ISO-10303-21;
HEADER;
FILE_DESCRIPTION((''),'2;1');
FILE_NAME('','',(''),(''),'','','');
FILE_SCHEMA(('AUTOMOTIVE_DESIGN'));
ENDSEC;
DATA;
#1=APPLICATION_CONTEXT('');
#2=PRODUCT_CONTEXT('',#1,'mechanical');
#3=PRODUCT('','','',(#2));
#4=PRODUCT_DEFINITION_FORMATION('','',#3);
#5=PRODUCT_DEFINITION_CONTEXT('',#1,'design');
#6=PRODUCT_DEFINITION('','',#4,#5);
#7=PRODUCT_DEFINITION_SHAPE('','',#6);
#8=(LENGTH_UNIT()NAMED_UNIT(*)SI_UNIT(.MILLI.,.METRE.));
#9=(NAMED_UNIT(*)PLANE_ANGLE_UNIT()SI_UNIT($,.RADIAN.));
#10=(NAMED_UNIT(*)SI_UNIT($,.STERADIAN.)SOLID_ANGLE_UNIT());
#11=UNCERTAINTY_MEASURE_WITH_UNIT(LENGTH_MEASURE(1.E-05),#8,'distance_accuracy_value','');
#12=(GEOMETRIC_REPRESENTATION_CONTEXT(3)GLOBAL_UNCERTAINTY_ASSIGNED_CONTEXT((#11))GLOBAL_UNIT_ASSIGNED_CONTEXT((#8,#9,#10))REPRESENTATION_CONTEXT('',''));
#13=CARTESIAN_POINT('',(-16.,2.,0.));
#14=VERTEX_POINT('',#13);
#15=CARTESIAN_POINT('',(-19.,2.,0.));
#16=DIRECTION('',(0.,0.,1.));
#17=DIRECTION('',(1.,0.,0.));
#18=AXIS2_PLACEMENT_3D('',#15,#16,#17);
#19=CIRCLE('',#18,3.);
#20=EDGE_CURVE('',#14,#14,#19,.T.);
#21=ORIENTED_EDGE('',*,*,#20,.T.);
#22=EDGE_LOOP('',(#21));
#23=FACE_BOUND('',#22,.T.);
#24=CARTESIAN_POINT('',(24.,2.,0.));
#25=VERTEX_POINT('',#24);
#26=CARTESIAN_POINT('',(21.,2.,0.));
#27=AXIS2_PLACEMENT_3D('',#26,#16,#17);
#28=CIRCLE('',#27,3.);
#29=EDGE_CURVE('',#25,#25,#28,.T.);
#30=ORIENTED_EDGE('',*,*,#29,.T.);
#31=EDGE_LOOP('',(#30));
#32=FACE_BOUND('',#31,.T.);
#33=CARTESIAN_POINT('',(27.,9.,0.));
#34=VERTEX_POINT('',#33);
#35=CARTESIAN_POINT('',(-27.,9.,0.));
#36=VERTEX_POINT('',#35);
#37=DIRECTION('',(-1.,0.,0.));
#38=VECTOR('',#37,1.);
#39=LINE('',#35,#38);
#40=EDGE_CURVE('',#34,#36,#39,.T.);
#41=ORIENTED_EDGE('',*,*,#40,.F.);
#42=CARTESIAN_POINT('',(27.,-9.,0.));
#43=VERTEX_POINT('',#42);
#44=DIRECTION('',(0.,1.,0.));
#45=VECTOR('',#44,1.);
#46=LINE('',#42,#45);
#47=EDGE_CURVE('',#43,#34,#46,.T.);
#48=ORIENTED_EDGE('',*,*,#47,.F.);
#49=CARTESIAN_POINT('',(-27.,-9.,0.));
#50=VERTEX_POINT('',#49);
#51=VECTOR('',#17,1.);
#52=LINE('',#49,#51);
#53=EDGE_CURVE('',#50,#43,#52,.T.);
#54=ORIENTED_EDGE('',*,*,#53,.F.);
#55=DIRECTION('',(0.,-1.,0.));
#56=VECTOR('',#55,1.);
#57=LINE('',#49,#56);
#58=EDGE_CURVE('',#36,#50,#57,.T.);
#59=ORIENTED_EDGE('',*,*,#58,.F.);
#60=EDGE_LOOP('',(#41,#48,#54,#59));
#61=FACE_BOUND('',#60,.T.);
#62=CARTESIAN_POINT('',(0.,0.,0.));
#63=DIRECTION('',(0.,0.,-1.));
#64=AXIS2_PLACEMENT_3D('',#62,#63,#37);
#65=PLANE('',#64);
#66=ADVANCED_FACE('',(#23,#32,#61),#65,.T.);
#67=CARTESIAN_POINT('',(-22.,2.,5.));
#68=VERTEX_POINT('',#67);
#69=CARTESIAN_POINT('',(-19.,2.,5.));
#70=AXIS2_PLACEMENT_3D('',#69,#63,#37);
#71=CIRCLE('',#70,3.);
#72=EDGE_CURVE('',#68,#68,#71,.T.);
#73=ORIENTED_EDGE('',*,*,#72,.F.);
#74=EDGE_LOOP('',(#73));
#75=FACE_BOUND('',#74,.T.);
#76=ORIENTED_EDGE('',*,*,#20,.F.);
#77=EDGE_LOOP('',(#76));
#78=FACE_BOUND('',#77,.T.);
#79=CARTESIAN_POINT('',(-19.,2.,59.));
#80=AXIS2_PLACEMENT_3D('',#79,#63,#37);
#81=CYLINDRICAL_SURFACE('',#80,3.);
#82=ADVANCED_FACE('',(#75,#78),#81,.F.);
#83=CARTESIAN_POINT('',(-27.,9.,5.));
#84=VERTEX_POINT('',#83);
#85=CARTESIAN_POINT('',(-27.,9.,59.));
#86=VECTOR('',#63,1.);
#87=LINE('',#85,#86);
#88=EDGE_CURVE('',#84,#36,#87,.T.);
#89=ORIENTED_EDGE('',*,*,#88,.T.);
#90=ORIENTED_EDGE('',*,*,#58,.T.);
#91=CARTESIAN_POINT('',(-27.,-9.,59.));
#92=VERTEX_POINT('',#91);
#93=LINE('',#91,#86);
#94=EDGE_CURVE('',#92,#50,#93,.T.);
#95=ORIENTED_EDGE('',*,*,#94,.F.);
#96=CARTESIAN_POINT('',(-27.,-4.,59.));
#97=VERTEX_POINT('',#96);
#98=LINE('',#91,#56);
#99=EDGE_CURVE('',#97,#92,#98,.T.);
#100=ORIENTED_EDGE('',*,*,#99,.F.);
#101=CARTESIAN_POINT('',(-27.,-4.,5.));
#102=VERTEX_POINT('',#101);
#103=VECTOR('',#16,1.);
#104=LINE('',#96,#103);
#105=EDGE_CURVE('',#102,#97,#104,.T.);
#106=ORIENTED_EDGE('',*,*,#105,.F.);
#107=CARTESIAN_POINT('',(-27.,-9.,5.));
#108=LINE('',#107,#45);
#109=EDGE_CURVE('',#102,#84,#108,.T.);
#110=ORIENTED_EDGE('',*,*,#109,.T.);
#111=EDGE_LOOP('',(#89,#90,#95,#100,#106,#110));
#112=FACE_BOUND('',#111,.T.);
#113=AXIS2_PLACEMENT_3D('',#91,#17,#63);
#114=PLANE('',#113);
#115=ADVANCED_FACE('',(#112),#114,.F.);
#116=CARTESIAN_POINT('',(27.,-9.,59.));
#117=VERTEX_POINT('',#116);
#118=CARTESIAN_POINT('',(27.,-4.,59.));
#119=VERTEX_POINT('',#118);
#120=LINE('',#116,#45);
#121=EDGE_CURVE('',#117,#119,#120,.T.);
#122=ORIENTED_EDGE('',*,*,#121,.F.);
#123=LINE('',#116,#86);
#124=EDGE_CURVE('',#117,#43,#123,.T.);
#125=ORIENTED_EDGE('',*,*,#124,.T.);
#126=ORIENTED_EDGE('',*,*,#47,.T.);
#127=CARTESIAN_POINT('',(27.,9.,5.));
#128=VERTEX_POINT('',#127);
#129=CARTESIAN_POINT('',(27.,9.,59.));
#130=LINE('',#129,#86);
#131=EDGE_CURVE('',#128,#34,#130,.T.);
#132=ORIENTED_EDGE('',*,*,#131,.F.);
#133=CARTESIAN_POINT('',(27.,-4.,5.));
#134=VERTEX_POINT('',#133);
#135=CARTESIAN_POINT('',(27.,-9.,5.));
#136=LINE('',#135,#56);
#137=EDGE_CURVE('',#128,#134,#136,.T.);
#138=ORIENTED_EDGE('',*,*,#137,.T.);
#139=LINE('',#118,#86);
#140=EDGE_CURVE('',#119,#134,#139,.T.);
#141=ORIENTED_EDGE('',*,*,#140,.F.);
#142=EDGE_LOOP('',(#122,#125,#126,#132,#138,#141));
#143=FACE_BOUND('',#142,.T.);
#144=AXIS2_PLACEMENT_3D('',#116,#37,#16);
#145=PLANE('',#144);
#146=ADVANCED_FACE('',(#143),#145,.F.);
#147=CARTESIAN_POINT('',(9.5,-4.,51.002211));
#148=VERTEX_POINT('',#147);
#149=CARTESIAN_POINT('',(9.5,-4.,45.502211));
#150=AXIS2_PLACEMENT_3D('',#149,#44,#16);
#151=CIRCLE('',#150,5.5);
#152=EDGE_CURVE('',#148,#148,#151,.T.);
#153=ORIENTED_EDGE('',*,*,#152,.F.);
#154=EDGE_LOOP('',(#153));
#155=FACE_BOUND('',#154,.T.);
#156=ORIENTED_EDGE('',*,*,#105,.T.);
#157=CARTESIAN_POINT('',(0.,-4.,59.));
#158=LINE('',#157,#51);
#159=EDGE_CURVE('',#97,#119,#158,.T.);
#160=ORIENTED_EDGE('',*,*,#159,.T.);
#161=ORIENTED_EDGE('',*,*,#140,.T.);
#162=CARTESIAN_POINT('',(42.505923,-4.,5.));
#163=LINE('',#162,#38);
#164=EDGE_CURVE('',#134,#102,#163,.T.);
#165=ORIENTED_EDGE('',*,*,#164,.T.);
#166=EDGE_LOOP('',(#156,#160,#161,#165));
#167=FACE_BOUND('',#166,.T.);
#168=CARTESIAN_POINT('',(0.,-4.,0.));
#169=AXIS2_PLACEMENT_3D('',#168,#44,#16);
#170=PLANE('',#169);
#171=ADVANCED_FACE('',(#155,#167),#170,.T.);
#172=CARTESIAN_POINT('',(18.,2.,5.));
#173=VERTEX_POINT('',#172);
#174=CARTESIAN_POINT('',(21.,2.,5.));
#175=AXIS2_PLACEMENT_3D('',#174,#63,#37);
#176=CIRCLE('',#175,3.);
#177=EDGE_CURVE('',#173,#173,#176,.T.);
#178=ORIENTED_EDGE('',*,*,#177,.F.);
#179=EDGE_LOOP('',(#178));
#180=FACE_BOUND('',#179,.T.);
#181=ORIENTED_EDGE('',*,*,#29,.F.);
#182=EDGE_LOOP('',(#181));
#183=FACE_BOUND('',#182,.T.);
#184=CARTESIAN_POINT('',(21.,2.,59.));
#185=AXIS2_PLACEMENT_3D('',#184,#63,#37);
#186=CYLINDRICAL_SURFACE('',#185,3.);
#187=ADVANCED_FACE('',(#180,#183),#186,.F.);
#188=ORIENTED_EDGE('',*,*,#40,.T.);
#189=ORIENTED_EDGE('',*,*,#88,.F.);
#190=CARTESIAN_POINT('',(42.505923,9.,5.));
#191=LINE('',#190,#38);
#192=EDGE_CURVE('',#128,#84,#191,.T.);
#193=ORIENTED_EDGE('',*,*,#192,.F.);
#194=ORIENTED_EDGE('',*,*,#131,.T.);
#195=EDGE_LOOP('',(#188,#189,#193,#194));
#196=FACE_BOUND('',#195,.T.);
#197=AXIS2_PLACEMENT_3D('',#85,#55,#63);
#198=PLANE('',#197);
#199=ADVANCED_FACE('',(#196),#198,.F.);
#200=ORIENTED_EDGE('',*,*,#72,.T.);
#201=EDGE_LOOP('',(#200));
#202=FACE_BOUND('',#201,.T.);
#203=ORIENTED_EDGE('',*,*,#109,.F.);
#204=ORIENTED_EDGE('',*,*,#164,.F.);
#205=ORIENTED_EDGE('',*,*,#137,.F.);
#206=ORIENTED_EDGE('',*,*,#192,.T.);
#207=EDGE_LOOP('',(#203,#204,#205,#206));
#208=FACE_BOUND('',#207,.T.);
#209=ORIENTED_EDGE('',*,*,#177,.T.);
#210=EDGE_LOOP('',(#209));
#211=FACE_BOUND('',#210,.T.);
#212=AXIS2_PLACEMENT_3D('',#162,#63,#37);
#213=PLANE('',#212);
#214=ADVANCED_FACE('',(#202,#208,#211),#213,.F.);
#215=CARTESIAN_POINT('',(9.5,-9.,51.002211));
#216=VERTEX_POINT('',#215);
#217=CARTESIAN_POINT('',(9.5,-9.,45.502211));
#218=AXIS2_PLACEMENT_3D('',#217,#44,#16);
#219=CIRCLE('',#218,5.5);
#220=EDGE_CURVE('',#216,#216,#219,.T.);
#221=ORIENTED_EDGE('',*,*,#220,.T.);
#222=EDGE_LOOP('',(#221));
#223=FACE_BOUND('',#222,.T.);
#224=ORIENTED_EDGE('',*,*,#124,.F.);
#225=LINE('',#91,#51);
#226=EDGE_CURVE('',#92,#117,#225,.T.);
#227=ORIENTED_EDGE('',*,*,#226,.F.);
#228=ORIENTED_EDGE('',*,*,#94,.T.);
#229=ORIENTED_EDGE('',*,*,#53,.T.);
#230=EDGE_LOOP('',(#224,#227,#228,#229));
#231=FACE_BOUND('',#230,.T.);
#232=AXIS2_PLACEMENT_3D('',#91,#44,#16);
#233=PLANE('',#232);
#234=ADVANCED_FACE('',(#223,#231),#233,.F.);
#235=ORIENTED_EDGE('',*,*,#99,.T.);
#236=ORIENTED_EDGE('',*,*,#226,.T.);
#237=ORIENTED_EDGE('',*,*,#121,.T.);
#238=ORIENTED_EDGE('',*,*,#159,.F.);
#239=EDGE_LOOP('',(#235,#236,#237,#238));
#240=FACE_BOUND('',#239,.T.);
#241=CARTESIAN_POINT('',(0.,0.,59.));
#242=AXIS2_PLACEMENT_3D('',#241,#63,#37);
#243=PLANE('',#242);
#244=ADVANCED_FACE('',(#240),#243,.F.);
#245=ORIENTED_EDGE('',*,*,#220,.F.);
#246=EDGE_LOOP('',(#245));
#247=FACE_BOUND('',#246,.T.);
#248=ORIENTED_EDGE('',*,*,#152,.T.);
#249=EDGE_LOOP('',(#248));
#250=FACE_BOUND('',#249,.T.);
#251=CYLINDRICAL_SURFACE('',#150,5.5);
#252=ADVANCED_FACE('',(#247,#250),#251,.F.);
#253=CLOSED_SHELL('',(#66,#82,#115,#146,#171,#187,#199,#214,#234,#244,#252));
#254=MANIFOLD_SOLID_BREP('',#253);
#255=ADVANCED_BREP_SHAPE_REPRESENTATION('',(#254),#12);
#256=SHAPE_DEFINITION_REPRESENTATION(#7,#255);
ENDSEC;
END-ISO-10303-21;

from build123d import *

# Parameters (mm, degrees)
ESQUISSE1_W             = 54
ESQUISSE1_H             = 18
ESQUISSE1_R             = 3
BOSS_EXTRU_1_DEPTH      = 59
ESQUISSE2_W             = 89.885876072
ESQUISSE2_H             = 74.564815434
ENL_V_MAT_EXTRU_1_DEPTH = 13
D_GAGEMENT_M101_D       = 11


with BuildPart() as part:
    # Esquisse1 → Boss.-Extru.1 (new body)
    with BuildSketch(Plane.XY):
        Rectangle(ESQUISSE1_W, ESQUISSE1_H)
        with Locations((-19, 2)):
            Circle(ESQUISSE1_R, mode=Mode.SUBTRACT)
        with Locations((21, 2)):
            Circle(ESQUISSE1_R, mode=Mode.SUBTRACT)
    extrude(amount=BOSS_EXTRU_1_DEPTH)

    # Esquisse2 → Enlèv. mat.-Extru.1 (cut)
    with BuildSketch(Plane(origin=(0, 9, 0), x_dir=(1, 0, 0), z_dir=(0, 1, 0))):
        with Locations((-2.437014962, -42.282407717)):
            Rectangle(ESQUISSE2_W, ESQUISSE2_H)
    extrude(amount=-ENL_V_MAT_EXTRU_1_DEPTH, mode=Mode.SUBTRACT)

    # Dégagement M101 (through all)
    with Locations(Plane(origin=(0, -4, 0), x_dir=(1, 0, 0), z_dir=(0, 1, 0))):
        with Locations((9.500000001, -45.5022105)):
            Hole(D_GAGEMENT_M101_D / 2)


solid = part.part
